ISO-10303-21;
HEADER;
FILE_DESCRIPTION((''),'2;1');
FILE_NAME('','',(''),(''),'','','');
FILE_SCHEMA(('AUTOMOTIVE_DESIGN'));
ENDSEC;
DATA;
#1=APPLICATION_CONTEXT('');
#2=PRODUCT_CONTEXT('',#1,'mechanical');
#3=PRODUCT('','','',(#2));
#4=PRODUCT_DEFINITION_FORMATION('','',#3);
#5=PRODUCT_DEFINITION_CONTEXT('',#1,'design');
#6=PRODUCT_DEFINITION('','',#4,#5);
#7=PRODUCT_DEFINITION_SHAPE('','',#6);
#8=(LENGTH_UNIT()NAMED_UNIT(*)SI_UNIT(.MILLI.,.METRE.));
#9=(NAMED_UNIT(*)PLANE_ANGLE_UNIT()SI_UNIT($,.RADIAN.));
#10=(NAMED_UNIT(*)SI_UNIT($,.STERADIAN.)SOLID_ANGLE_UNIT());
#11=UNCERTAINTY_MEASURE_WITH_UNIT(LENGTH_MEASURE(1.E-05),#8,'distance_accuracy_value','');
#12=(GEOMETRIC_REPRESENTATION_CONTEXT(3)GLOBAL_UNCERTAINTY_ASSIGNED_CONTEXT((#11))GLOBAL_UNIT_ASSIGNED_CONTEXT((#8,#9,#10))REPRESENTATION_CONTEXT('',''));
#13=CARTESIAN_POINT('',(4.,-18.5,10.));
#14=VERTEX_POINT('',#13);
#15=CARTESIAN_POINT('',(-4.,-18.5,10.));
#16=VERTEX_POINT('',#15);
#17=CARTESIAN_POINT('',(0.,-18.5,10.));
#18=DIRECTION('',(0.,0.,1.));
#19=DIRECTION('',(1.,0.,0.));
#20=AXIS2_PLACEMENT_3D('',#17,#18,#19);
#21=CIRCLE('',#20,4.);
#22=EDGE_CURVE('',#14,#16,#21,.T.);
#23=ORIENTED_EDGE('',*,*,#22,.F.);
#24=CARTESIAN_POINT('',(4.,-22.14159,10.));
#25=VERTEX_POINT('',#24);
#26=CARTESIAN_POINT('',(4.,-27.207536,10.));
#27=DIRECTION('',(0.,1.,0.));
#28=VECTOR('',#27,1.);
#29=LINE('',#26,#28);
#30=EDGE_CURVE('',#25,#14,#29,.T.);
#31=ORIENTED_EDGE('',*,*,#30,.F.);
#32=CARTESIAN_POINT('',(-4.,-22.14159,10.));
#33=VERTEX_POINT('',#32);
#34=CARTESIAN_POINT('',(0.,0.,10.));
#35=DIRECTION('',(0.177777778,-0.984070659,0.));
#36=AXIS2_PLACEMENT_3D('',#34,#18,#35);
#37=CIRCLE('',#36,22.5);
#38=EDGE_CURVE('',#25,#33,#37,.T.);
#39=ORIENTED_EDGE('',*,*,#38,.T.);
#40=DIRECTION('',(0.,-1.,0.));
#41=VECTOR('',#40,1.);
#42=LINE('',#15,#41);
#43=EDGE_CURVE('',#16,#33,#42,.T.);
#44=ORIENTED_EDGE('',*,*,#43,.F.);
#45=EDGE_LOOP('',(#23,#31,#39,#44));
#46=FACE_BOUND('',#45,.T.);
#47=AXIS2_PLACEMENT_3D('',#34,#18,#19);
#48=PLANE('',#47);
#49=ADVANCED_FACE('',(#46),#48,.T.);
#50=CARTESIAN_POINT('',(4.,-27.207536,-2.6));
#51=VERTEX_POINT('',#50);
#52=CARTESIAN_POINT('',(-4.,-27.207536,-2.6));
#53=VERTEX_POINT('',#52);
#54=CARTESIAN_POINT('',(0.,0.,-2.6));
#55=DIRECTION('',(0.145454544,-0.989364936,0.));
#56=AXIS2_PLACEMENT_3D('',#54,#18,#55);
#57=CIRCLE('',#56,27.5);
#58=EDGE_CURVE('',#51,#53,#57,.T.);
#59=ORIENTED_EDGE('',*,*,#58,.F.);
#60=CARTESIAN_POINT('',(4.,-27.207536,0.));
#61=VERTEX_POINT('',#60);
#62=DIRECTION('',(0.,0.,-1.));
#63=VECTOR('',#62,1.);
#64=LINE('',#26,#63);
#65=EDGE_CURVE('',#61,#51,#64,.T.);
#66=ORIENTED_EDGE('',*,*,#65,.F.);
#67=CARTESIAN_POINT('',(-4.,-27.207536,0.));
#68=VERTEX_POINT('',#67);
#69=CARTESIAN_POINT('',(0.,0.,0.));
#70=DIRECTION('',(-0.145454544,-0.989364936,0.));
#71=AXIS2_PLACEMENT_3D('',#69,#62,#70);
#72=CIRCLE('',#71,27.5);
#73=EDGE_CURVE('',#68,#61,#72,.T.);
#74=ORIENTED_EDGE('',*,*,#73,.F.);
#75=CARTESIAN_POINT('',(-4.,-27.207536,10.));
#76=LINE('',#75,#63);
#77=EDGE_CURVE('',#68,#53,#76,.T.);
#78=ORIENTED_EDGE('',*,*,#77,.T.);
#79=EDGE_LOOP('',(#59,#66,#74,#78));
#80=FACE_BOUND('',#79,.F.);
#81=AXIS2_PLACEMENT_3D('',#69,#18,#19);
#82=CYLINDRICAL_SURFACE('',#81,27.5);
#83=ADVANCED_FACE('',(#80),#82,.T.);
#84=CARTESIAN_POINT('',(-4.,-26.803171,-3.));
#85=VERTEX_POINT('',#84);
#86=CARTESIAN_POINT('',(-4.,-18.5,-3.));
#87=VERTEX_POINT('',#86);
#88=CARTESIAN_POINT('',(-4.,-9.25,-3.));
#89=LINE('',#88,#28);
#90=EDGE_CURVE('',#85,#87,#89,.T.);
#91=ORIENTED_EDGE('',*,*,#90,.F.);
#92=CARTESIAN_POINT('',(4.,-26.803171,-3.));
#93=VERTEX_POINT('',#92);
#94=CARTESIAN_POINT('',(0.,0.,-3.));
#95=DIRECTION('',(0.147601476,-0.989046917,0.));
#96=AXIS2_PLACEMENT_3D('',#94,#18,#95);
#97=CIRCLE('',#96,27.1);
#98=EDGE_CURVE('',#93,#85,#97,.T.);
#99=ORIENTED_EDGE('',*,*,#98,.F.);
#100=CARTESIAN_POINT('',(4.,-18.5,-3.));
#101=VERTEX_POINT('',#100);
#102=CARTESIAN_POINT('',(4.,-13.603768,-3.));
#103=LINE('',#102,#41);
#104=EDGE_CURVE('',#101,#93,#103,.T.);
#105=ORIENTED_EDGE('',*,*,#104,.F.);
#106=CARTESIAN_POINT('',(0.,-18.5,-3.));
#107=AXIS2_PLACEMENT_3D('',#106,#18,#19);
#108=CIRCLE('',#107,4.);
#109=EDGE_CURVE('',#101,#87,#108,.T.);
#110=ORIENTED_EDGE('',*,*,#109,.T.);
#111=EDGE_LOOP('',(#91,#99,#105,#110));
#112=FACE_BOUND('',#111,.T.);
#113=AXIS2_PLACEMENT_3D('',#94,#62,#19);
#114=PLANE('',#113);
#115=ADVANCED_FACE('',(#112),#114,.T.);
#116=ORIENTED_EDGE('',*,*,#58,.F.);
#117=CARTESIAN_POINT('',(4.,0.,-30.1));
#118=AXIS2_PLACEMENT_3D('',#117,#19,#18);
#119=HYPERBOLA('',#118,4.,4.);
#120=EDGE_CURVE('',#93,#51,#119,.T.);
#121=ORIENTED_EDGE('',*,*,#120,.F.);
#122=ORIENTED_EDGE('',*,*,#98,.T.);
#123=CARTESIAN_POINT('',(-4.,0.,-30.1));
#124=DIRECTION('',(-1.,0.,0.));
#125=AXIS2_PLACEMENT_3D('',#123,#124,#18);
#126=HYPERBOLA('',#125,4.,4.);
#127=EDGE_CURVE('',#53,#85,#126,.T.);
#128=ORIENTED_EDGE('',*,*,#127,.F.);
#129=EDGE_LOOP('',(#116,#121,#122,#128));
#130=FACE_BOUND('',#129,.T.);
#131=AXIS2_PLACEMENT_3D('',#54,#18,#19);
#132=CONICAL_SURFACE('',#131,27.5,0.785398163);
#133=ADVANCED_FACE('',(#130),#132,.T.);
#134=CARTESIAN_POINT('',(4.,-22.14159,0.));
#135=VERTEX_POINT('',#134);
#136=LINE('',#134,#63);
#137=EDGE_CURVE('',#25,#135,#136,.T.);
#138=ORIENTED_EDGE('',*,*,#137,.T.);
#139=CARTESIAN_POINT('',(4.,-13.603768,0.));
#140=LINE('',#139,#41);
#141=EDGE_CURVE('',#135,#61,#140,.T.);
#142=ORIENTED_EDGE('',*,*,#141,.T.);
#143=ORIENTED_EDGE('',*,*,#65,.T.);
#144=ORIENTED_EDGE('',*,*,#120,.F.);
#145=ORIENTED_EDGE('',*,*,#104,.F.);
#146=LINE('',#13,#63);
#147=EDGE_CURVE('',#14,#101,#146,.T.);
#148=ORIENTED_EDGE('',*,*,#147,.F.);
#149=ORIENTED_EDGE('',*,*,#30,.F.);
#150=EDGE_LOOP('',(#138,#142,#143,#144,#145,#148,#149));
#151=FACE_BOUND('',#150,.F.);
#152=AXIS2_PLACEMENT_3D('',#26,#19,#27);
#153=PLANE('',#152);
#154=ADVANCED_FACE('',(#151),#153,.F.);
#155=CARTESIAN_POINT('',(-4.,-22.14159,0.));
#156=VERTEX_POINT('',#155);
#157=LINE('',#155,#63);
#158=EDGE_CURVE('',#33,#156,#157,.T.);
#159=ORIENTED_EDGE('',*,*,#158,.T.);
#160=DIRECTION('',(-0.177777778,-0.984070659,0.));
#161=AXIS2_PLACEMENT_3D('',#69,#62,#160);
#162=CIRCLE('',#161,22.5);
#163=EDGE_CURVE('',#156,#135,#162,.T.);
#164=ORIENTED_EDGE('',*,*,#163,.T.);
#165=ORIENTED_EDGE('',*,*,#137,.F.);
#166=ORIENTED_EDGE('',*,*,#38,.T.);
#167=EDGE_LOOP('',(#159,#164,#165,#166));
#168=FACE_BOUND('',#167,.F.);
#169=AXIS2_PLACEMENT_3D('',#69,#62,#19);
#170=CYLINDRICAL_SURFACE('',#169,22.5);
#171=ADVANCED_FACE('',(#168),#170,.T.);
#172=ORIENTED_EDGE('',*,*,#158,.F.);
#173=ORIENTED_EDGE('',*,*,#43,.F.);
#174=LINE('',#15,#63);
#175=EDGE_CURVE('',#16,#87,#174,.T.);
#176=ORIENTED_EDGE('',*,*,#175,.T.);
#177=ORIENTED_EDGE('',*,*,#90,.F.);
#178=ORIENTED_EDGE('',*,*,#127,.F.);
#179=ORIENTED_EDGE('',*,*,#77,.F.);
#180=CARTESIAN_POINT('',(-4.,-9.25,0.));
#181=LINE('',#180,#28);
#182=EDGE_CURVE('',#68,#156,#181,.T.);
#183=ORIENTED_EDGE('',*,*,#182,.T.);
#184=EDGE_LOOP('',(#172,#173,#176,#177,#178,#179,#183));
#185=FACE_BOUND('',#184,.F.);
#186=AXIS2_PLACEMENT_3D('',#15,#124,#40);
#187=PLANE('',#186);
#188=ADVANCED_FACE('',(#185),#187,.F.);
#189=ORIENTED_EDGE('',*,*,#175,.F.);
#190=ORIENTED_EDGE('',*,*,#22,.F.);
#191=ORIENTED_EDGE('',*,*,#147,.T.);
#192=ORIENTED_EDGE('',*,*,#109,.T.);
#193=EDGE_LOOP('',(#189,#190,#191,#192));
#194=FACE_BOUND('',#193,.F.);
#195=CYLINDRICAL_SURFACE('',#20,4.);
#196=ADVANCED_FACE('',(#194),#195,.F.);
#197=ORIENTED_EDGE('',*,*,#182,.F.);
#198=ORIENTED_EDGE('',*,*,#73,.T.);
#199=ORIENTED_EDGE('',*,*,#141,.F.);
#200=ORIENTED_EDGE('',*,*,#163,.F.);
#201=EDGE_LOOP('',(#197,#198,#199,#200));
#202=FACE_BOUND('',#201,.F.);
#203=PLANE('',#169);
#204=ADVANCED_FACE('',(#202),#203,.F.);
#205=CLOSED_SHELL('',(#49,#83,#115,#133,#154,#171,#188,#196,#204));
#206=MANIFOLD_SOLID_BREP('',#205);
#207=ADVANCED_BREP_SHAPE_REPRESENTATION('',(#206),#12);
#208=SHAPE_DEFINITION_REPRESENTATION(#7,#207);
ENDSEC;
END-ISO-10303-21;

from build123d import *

# Parameters (mm, degrees)
F0_R     = 22.5
F1_DEPTH = 10
F2_R     = 27.5
F3_DEPTH = 3
F4_SIZE  = 0.4
F6_DEPTH = 25


with BuildPart() as f1:
    # F0 (on Top) → F1 (new body)
    with BuildSketch(Plane.XY):
        Circle(F0_R)
    extrude(amount=F1_DEPTH)

    # F2 (on face) → F3 (join)
    with BuildSketch(Plane(origin=(0, 0, 0), x_dir=(1, 0, 0), z_dir=(0, 0, -1))):
        Circle(F2_R)
    extrude(amount=F3_DEPTH)

    # F4
    f4_edges = [f1.edges().sort_by_distance(p)[0] for p in [
        (-27.5, 0, -3),
    ]]
    chamfer(f4_edges, length=F4_SIZE)

    # F5 (on face) → F6 (cut)
    with BuildSketch(Plane.XY.offset(10)):
        with BuildLine():
            Line((4, -27.207536), (4, -18.5))
            ThreePointArc((4, -18.5), (0, -14.5), (-4, -18.5))
            Line((-4, -18.5), (-4, -27.207536))
            ThreePointArc((-4, -27.207536), (0, -27.5), (4, -27.207536))
        make_face()
    extrude(amount=-F6_DEPTH, mode=Mode.SUBTRACT)


solid = f1.part
